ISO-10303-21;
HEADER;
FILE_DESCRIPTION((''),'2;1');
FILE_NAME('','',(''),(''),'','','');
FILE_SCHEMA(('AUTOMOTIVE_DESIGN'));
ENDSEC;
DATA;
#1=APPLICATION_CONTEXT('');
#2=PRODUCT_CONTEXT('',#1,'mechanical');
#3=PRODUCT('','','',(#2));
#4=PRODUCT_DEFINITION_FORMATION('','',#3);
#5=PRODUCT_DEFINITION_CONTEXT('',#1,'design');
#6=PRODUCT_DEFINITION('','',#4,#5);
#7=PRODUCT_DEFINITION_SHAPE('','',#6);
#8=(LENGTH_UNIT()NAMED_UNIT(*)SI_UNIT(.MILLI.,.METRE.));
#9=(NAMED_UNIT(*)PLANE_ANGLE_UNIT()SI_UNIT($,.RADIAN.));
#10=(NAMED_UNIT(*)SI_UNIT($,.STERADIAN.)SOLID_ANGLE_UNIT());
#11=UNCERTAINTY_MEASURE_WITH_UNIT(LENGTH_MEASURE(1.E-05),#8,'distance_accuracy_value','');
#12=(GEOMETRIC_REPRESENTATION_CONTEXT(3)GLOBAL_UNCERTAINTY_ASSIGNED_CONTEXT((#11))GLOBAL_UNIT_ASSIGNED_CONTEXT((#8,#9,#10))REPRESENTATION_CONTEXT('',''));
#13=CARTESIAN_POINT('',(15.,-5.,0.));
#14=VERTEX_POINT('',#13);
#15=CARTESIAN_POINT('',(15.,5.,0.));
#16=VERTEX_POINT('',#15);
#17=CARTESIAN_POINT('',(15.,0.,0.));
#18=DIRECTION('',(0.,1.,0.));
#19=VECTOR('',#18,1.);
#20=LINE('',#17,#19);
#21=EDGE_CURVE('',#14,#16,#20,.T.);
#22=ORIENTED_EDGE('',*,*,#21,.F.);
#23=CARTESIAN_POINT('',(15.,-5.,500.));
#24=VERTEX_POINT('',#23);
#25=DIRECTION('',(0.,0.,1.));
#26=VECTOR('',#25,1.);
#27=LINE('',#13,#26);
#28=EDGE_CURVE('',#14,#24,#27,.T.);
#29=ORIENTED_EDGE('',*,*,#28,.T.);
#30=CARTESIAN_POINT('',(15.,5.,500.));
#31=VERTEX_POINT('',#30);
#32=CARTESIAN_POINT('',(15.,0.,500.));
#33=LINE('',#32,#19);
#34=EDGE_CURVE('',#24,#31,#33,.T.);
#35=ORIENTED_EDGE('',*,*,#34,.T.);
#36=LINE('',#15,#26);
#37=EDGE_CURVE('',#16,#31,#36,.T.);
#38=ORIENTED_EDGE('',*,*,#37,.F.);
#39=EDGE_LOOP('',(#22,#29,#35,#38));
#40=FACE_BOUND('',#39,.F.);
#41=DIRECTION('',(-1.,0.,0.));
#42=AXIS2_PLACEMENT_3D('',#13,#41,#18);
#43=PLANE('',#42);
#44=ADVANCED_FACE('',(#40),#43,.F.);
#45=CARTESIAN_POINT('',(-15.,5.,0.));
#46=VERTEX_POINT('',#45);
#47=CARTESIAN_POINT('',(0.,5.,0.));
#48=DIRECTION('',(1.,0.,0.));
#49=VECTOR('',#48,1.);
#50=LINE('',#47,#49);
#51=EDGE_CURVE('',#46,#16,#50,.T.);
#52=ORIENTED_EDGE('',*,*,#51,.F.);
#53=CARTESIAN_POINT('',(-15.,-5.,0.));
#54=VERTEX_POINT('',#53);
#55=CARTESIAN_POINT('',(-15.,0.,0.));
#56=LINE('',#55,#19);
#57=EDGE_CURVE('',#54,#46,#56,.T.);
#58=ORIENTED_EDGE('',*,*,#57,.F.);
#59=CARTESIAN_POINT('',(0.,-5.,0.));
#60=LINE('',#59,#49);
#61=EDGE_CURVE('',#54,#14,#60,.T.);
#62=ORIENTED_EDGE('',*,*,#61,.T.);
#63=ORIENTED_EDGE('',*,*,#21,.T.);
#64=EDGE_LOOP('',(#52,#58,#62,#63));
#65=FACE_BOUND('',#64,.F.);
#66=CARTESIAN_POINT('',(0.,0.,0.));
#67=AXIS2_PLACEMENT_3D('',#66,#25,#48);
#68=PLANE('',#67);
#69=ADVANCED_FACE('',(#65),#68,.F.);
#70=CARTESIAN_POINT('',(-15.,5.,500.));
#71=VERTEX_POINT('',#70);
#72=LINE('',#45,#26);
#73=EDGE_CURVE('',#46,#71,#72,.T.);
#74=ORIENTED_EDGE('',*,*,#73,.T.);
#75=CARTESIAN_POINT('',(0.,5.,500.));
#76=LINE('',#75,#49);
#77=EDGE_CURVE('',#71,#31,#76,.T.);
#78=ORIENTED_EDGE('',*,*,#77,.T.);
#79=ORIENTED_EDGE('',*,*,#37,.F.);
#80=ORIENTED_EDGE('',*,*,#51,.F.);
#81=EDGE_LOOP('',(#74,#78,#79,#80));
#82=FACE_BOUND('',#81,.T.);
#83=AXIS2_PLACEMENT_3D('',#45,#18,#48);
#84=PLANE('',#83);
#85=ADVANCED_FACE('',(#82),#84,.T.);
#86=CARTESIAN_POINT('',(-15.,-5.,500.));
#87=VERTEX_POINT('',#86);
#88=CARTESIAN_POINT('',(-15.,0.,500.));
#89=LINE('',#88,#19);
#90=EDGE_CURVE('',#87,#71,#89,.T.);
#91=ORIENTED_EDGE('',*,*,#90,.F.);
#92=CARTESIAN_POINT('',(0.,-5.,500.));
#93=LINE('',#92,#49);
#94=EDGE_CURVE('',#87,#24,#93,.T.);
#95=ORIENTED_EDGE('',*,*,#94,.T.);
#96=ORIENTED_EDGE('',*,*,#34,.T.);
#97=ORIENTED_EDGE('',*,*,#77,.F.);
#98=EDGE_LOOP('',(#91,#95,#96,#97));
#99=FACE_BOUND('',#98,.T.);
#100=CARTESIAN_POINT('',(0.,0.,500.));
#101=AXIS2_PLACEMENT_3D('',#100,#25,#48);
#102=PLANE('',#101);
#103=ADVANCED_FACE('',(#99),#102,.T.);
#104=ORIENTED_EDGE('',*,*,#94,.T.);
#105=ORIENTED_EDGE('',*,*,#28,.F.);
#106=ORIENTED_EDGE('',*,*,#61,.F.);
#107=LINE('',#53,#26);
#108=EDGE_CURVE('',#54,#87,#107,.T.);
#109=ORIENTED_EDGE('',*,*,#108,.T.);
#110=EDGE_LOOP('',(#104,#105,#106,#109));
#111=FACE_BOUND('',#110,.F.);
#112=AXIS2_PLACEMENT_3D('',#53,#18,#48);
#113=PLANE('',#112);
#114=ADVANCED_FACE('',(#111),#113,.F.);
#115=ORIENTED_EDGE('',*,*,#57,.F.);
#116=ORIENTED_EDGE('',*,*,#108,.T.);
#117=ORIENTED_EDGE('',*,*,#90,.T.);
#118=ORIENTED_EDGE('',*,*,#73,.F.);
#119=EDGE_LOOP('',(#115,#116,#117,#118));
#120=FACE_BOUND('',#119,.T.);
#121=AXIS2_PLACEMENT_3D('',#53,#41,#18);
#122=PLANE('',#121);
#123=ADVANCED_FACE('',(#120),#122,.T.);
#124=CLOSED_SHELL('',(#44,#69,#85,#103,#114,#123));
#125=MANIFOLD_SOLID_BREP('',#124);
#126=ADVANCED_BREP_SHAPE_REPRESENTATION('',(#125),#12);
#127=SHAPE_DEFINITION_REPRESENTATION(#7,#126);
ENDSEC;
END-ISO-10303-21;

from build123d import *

# Parameters (mm, degrees)
SKETCH_W  = 30
SKETCH_H  = 10
PAD_DEPTH = 500


with BuildPart() as part:
    # Sketch → Pad (new body)
    with BuildSketch(Plane.XY):
        Rectangle(SKETCH_W, SKETCH_H)
    extrude(amount=PAD_DEPTH)


solid = part.part
